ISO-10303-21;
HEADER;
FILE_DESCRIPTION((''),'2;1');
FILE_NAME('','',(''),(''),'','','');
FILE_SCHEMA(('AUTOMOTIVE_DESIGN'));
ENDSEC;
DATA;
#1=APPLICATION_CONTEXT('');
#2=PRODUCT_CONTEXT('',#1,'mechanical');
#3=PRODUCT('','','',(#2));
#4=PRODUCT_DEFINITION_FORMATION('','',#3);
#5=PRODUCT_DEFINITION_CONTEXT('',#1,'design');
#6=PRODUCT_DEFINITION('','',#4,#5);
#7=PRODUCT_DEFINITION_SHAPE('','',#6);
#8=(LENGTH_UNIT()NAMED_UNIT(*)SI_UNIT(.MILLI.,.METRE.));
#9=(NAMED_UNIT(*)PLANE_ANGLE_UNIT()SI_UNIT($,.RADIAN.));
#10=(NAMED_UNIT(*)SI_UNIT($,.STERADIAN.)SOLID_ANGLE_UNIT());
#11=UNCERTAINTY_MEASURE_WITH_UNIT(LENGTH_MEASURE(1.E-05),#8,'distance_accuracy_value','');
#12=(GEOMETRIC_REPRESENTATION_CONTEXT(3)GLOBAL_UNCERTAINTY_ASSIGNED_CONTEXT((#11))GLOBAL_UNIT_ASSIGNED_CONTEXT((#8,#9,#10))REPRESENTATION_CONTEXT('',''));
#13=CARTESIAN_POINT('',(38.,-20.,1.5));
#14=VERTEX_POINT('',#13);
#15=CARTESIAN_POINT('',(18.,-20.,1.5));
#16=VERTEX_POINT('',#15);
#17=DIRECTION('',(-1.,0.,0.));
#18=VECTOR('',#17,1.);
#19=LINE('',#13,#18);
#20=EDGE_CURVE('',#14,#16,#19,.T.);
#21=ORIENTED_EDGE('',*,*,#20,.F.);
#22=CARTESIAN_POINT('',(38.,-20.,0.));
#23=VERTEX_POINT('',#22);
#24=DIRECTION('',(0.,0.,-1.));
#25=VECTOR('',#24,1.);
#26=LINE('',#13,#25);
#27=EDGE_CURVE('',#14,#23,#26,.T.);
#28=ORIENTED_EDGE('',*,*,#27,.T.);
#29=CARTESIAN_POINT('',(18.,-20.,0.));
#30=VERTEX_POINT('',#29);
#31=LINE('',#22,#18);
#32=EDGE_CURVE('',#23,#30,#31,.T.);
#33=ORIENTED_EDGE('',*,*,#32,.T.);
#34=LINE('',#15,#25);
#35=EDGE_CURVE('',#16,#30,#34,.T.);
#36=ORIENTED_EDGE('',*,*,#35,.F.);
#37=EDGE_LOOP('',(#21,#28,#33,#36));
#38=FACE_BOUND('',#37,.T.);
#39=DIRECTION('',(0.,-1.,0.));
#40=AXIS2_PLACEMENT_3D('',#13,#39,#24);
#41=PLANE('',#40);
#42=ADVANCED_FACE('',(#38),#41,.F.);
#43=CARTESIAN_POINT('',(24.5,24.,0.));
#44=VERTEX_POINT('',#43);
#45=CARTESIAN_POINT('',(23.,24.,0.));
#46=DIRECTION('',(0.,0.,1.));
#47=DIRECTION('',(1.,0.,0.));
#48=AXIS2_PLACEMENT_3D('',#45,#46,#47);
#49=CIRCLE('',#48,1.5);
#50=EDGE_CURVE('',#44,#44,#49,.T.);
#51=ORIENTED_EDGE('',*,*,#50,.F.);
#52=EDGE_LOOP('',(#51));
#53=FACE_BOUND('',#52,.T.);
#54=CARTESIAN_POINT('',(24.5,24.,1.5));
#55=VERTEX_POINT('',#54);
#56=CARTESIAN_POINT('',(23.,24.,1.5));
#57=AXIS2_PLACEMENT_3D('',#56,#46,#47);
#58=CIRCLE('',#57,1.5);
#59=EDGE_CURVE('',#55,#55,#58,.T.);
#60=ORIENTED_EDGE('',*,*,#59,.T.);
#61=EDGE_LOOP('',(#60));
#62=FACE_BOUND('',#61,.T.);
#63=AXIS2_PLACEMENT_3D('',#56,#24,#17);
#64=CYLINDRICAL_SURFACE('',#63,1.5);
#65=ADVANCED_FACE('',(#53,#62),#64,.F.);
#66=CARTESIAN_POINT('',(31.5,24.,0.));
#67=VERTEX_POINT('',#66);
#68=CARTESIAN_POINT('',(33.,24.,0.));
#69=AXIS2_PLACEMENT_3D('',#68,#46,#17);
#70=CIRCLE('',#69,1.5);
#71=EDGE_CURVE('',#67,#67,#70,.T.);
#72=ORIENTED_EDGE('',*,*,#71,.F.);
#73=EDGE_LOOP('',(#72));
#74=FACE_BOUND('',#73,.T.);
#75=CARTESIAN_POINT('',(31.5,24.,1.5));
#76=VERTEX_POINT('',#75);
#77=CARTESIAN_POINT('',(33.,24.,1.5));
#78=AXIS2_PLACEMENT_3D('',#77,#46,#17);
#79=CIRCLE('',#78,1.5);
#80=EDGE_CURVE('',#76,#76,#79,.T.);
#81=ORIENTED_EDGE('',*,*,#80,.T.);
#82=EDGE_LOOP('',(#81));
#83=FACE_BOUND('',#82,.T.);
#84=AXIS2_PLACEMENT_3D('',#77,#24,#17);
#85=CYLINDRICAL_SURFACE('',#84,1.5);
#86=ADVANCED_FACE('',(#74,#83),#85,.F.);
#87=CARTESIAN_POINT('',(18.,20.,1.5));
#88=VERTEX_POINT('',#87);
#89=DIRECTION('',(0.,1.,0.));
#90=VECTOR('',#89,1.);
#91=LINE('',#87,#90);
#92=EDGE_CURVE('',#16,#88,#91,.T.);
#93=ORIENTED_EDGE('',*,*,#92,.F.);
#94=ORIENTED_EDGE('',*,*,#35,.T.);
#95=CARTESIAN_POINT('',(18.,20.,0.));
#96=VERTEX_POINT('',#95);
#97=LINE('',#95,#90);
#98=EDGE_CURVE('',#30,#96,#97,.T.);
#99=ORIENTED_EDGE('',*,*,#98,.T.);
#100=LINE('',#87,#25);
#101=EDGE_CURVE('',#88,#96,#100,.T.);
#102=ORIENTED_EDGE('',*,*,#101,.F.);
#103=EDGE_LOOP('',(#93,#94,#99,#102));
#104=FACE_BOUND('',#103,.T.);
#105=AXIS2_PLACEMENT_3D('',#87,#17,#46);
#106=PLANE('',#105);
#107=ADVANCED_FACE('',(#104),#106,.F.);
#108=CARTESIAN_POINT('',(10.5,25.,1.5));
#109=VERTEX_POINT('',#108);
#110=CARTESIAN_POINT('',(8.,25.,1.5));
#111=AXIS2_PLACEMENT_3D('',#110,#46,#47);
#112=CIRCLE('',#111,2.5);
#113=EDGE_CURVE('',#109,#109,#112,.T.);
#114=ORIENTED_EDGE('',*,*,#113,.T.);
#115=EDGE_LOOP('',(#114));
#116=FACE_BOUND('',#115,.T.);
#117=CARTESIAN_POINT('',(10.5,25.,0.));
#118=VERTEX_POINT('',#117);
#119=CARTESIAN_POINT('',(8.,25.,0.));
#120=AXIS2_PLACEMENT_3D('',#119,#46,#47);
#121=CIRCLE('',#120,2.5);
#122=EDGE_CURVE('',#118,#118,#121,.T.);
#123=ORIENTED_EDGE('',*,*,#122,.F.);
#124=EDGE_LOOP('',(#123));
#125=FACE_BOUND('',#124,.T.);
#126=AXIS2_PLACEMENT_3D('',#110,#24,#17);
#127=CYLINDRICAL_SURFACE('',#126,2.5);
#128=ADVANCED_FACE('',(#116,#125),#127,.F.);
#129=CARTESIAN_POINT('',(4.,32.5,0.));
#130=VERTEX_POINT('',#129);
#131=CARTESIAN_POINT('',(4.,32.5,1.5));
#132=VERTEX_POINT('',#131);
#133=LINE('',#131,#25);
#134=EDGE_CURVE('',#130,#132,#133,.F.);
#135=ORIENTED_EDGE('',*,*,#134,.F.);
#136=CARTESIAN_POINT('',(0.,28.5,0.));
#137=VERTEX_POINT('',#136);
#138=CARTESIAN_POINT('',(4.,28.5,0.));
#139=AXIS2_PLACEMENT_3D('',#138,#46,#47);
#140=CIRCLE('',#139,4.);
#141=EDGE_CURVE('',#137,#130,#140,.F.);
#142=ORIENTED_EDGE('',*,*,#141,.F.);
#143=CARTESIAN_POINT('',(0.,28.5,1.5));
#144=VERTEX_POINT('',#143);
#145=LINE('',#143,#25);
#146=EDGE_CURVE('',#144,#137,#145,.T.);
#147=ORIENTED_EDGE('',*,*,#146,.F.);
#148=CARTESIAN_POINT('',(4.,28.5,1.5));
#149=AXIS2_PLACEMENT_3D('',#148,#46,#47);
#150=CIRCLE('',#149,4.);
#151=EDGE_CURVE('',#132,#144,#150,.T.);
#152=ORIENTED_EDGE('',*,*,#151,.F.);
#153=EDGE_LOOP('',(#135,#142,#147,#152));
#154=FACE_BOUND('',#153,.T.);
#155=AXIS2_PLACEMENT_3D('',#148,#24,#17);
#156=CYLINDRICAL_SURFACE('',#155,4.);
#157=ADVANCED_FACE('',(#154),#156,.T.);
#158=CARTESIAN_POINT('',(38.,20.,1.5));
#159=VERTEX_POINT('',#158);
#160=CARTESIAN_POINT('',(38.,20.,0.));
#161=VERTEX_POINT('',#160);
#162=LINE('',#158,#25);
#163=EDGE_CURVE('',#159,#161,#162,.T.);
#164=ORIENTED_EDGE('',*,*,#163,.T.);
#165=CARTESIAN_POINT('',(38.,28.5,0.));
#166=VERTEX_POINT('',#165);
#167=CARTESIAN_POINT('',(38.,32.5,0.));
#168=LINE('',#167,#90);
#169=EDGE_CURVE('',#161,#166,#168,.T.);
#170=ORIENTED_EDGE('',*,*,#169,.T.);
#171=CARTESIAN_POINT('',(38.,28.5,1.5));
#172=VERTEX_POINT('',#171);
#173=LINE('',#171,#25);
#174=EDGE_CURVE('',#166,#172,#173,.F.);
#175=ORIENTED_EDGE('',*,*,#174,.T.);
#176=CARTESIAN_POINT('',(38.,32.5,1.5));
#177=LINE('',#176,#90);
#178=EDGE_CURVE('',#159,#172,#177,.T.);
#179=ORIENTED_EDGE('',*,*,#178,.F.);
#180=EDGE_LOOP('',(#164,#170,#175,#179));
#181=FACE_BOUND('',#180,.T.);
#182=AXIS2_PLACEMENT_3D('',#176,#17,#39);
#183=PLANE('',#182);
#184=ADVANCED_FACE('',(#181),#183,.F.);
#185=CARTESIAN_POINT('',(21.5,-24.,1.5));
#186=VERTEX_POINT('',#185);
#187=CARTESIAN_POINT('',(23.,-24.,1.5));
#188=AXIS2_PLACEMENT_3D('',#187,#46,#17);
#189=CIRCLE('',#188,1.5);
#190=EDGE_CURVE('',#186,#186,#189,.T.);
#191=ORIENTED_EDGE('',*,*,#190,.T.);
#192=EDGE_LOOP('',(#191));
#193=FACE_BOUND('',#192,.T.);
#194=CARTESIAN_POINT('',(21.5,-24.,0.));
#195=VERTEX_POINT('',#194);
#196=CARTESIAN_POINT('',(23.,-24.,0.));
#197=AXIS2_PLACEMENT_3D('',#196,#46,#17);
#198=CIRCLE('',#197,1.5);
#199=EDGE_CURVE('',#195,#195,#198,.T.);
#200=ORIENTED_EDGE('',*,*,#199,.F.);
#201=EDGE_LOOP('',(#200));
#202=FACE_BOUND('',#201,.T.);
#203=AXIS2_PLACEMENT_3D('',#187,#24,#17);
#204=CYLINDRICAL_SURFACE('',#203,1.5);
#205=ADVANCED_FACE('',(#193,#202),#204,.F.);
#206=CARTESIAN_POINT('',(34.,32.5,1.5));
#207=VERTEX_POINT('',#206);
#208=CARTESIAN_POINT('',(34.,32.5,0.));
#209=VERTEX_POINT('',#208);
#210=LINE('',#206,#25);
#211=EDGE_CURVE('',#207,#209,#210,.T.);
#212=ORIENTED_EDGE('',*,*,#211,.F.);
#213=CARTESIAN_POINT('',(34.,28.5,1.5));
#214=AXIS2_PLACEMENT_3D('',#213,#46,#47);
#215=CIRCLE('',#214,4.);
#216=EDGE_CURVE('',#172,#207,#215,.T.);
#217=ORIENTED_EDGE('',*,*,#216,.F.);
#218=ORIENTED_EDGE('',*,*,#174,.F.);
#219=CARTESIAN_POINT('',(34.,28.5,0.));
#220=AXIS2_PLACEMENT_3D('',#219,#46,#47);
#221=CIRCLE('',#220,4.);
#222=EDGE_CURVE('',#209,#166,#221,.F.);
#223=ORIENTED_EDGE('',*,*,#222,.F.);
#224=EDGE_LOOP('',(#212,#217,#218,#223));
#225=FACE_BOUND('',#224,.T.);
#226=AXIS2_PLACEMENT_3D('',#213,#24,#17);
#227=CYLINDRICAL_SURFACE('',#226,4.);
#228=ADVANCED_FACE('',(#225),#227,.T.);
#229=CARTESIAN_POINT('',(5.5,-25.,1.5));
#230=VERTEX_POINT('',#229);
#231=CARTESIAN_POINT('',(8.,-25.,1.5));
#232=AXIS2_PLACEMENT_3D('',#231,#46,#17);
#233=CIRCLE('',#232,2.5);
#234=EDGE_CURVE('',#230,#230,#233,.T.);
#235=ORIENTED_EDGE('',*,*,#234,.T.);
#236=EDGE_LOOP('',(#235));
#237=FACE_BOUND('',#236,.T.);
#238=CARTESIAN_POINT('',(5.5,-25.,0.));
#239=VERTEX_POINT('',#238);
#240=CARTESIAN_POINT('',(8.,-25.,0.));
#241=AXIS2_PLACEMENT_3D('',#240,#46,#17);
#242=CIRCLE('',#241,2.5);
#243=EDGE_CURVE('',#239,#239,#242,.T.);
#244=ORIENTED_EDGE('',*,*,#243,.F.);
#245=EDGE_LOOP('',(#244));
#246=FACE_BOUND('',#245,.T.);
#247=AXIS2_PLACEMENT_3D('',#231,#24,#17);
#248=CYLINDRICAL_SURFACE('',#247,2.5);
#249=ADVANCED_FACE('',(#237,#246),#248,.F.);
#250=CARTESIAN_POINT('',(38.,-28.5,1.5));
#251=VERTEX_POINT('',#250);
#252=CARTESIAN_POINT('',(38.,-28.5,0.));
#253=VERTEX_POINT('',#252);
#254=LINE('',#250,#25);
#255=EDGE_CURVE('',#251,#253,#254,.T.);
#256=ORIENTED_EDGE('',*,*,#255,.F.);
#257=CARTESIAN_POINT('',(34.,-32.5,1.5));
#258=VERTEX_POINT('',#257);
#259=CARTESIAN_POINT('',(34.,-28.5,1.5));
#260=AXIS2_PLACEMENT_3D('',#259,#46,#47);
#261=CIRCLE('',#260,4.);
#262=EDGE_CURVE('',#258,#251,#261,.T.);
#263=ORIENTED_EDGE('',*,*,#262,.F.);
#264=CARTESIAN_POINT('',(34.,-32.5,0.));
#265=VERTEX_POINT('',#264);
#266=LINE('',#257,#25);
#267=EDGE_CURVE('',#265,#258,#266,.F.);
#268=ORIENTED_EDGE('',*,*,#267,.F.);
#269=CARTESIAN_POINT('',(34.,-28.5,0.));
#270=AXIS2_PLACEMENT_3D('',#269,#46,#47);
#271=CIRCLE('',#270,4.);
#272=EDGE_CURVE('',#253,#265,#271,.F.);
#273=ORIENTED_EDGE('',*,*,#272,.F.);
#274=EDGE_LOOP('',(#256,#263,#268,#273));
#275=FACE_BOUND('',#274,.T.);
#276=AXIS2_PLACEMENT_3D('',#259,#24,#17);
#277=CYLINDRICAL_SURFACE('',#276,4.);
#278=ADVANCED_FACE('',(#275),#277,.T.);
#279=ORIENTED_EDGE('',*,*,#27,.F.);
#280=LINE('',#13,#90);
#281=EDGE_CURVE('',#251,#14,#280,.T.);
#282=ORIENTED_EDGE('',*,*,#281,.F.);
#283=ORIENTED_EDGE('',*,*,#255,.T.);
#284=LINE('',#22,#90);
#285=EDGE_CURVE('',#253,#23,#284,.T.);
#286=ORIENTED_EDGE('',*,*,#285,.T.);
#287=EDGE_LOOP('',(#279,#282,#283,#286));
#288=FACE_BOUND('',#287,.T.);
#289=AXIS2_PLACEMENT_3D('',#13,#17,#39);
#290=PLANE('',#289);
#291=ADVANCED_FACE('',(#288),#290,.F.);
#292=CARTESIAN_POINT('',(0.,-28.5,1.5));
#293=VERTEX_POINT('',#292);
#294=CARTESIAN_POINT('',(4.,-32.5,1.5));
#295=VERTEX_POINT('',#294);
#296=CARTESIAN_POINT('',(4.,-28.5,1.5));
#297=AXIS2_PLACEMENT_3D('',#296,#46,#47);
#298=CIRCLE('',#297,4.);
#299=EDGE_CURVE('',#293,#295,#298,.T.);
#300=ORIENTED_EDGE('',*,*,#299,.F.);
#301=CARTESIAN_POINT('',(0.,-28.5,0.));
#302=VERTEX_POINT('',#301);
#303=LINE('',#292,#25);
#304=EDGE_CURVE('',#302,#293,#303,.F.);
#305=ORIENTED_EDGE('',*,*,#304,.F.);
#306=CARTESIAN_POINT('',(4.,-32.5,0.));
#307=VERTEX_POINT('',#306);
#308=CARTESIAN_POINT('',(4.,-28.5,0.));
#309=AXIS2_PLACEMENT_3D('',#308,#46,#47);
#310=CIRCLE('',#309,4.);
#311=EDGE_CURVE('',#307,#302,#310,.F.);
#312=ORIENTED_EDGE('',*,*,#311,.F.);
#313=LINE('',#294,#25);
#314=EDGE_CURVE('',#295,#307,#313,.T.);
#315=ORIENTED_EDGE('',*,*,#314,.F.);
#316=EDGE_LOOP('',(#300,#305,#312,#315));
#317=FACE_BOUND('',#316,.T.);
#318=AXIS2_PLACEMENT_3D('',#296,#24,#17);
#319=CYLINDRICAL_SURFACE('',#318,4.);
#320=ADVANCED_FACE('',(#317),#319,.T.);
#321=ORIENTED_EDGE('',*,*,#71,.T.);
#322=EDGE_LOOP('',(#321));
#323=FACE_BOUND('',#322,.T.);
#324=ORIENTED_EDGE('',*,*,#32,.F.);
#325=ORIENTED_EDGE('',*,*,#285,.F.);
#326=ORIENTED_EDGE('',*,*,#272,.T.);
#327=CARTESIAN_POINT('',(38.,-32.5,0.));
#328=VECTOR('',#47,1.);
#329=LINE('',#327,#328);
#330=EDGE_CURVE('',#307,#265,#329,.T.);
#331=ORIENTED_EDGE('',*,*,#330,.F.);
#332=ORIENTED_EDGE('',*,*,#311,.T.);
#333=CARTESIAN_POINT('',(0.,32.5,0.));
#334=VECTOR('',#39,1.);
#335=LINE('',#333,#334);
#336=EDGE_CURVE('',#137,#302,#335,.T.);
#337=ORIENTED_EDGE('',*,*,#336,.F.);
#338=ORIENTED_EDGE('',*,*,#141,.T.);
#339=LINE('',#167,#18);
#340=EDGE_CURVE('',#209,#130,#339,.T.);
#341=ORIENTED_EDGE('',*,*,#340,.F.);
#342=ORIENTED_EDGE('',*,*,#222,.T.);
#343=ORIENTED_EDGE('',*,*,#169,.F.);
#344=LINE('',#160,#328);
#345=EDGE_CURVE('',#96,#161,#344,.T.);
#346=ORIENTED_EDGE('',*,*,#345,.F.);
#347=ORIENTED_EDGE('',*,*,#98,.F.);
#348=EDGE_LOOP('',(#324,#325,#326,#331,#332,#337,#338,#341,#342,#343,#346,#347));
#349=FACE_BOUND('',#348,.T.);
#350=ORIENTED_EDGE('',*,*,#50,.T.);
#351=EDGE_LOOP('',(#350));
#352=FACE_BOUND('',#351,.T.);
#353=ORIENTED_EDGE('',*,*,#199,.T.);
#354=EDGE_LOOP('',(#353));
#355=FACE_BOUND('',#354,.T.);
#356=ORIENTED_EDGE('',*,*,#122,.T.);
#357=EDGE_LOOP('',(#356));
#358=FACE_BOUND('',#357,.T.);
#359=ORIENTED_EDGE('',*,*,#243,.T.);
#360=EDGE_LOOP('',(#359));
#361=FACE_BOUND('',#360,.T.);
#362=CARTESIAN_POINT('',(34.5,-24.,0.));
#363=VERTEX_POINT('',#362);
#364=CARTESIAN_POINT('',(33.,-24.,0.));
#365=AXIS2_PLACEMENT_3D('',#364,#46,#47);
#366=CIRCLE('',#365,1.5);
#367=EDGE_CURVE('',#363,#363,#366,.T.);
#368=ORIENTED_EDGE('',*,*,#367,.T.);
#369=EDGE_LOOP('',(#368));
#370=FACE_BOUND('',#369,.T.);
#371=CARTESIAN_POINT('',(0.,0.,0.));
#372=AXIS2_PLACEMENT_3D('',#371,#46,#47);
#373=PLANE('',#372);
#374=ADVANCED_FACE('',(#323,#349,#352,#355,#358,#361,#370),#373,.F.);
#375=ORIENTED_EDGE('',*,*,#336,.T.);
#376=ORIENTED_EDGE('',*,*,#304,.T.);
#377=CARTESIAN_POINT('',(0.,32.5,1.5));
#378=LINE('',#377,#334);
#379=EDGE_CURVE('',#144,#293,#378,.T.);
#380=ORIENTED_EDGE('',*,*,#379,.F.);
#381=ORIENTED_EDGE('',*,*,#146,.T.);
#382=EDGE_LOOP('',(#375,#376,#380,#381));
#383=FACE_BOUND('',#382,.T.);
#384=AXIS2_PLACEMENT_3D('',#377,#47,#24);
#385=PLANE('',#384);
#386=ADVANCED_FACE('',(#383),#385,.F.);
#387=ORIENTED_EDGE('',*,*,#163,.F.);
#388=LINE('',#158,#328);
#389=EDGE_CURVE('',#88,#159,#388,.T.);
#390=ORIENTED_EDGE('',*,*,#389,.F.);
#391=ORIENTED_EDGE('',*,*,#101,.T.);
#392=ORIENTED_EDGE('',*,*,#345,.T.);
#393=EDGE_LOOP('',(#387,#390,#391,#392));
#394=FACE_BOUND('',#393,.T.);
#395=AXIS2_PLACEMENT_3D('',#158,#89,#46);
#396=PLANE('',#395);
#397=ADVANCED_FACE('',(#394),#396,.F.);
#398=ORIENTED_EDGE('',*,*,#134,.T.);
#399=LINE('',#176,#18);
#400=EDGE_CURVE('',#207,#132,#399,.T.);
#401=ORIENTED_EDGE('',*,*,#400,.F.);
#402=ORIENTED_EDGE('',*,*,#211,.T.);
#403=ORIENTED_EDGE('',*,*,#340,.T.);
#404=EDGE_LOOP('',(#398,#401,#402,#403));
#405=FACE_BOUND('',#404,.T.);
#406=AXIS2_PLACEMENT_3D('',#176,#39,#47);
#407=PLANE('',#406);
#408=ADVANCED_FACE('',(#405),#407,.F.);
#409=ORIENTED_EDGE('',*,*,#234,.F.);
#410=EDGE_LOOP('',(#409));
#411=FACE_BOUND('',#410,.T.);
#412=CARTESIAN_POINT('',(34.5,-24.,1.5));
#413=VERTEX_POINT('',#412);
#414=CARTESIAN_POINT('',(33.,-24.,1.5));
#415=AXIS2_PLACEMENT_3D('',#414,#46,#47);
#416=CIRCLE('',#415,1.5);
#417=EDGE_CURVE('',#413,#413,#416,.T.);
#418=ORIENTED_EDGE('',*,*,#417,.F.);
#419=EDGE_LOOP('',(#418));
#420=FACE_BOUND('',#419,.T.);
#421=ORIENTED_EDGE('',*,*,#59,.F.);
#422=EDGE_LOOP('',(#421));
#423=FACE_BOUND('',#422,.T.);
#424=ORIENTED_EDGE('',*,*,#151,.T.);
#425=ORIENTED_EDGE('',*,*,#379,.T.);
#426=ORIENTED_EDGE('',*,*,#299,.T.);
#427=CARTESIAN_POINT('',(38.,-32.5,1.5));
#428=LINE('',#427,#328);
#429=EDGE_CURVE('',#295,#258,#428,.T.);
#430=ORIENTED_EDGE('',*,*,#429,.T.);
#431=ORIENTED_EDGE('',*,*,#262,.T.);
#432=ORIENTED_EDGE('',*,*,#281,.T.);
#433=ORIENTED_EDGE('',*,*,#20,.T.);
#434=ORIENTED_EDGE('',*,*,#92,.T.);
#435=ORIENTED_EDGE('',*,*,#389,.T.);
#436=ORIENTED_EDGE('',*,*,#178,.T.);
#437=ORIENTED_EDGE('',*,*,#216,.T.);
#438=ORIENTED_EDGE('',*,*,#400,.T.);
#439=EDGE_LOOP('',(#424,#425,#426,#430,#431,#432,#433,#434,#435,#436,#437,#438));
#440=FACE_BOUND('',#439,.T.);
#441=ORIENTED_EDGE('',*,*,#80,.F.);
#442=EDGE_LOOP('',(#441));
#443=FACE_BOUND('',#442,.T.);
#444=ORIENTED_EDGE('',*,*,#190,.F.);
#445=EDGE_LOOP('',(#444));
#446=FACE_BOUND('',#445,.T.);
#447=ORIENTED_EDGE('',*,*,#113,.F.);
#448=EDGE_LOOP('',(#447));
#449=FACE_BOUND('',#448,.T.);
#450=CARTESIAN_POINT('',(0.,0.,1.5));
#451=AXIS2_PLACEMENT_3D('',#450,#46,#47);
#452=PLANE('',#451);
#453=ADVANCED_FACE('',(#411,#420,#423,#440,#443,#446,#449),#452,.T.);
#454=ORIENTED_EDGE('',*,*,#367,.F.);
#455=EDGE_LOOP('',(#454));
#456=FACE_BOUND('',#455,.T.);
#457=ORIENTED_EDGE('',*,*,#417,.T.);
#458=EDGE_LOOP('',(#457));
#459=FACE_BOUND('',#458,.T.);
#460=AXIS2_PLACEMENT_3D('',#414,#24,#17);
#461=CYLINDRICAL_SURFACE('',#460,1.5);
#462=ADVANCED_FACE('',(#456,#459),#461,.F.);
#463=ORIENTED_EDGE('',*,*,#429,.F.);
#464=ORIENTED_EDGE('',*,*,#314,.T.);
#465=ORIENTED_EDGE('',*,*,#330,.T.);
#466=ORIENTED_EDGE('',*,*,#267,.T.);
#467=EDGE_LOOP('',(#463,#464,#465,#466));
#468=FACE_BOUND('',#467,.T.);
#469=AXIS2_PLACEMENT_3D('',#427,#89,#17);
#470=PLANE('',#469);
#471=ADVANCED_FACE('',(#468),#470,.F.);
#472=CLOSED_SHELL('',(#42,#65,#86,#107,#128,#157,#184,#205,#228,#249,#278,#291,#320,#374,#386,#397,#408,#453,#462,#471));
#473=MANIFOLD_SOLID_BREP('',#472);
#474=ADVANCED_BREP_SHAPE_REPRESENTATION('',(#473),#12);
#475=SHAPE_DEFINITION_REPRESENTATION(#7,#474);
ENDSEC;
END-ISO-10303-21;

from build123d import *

# Parameters (mm, degrees)
ESQUISSE1_R        = 2.5
ESQUISSE1_R_2      = 1.5
BOSS_EXTRU_1_DEPTH = 1.5
CONG_1_R           = 4


with BuildPart() as part:
    # Esquisse1 → Boss.-Extru.1 (new body)
    with BuildSketch(Plane.XY):
        Polygon((38, -20), (38, -32.5), (0, -32.5), (0, 32.5), (38, 32.5), (38, 20), (18, 20), (18, -20), align=None)
        with Locations((8, 25)):
            Circle(ESQUISSE1_R, mode=Mode.SUBTRACT)
        with Locations((23, 24)):
            Circle(ESQUISSE1_R_2, mode=Mode.SUBTRACT)
        with Locations(Location((33, 24, 0), (0, 0, 180))):
            Circle(ESQUISSE1_R_2, mode=Mode.SUBTRACT)
        with Locations((33, -24)):
            Circle(ESQUISSE1_R_2, mode=Mode.SUBTRACT)
        with Locations(Location((23, -24, 0), (0, 0, 180))):
            Circle(ESQUISSE1_R_2, mode=Mode.SUBTRACT)
        with Locations(Location((8, -25, 0), (0, 0, 180))):
            Circle(ESQUISSE1_R, mode=Mode.SUBTRACT)
    extrude(amount=BOSS_EXTRU_1_DEPTH)

    # Congé1
    cong_1_edges = [part.edges().sort_by_distance(p)[0] for p in [
        (38, -32.5, 0.75),
        (0, -32.5, 0.75),
        (0, 32.5, 0.75),
        (38, 32.5, 0.75),
    ]]
    fillet(cong_1_edges, radius=CONG_1_R)


solid = part.part
